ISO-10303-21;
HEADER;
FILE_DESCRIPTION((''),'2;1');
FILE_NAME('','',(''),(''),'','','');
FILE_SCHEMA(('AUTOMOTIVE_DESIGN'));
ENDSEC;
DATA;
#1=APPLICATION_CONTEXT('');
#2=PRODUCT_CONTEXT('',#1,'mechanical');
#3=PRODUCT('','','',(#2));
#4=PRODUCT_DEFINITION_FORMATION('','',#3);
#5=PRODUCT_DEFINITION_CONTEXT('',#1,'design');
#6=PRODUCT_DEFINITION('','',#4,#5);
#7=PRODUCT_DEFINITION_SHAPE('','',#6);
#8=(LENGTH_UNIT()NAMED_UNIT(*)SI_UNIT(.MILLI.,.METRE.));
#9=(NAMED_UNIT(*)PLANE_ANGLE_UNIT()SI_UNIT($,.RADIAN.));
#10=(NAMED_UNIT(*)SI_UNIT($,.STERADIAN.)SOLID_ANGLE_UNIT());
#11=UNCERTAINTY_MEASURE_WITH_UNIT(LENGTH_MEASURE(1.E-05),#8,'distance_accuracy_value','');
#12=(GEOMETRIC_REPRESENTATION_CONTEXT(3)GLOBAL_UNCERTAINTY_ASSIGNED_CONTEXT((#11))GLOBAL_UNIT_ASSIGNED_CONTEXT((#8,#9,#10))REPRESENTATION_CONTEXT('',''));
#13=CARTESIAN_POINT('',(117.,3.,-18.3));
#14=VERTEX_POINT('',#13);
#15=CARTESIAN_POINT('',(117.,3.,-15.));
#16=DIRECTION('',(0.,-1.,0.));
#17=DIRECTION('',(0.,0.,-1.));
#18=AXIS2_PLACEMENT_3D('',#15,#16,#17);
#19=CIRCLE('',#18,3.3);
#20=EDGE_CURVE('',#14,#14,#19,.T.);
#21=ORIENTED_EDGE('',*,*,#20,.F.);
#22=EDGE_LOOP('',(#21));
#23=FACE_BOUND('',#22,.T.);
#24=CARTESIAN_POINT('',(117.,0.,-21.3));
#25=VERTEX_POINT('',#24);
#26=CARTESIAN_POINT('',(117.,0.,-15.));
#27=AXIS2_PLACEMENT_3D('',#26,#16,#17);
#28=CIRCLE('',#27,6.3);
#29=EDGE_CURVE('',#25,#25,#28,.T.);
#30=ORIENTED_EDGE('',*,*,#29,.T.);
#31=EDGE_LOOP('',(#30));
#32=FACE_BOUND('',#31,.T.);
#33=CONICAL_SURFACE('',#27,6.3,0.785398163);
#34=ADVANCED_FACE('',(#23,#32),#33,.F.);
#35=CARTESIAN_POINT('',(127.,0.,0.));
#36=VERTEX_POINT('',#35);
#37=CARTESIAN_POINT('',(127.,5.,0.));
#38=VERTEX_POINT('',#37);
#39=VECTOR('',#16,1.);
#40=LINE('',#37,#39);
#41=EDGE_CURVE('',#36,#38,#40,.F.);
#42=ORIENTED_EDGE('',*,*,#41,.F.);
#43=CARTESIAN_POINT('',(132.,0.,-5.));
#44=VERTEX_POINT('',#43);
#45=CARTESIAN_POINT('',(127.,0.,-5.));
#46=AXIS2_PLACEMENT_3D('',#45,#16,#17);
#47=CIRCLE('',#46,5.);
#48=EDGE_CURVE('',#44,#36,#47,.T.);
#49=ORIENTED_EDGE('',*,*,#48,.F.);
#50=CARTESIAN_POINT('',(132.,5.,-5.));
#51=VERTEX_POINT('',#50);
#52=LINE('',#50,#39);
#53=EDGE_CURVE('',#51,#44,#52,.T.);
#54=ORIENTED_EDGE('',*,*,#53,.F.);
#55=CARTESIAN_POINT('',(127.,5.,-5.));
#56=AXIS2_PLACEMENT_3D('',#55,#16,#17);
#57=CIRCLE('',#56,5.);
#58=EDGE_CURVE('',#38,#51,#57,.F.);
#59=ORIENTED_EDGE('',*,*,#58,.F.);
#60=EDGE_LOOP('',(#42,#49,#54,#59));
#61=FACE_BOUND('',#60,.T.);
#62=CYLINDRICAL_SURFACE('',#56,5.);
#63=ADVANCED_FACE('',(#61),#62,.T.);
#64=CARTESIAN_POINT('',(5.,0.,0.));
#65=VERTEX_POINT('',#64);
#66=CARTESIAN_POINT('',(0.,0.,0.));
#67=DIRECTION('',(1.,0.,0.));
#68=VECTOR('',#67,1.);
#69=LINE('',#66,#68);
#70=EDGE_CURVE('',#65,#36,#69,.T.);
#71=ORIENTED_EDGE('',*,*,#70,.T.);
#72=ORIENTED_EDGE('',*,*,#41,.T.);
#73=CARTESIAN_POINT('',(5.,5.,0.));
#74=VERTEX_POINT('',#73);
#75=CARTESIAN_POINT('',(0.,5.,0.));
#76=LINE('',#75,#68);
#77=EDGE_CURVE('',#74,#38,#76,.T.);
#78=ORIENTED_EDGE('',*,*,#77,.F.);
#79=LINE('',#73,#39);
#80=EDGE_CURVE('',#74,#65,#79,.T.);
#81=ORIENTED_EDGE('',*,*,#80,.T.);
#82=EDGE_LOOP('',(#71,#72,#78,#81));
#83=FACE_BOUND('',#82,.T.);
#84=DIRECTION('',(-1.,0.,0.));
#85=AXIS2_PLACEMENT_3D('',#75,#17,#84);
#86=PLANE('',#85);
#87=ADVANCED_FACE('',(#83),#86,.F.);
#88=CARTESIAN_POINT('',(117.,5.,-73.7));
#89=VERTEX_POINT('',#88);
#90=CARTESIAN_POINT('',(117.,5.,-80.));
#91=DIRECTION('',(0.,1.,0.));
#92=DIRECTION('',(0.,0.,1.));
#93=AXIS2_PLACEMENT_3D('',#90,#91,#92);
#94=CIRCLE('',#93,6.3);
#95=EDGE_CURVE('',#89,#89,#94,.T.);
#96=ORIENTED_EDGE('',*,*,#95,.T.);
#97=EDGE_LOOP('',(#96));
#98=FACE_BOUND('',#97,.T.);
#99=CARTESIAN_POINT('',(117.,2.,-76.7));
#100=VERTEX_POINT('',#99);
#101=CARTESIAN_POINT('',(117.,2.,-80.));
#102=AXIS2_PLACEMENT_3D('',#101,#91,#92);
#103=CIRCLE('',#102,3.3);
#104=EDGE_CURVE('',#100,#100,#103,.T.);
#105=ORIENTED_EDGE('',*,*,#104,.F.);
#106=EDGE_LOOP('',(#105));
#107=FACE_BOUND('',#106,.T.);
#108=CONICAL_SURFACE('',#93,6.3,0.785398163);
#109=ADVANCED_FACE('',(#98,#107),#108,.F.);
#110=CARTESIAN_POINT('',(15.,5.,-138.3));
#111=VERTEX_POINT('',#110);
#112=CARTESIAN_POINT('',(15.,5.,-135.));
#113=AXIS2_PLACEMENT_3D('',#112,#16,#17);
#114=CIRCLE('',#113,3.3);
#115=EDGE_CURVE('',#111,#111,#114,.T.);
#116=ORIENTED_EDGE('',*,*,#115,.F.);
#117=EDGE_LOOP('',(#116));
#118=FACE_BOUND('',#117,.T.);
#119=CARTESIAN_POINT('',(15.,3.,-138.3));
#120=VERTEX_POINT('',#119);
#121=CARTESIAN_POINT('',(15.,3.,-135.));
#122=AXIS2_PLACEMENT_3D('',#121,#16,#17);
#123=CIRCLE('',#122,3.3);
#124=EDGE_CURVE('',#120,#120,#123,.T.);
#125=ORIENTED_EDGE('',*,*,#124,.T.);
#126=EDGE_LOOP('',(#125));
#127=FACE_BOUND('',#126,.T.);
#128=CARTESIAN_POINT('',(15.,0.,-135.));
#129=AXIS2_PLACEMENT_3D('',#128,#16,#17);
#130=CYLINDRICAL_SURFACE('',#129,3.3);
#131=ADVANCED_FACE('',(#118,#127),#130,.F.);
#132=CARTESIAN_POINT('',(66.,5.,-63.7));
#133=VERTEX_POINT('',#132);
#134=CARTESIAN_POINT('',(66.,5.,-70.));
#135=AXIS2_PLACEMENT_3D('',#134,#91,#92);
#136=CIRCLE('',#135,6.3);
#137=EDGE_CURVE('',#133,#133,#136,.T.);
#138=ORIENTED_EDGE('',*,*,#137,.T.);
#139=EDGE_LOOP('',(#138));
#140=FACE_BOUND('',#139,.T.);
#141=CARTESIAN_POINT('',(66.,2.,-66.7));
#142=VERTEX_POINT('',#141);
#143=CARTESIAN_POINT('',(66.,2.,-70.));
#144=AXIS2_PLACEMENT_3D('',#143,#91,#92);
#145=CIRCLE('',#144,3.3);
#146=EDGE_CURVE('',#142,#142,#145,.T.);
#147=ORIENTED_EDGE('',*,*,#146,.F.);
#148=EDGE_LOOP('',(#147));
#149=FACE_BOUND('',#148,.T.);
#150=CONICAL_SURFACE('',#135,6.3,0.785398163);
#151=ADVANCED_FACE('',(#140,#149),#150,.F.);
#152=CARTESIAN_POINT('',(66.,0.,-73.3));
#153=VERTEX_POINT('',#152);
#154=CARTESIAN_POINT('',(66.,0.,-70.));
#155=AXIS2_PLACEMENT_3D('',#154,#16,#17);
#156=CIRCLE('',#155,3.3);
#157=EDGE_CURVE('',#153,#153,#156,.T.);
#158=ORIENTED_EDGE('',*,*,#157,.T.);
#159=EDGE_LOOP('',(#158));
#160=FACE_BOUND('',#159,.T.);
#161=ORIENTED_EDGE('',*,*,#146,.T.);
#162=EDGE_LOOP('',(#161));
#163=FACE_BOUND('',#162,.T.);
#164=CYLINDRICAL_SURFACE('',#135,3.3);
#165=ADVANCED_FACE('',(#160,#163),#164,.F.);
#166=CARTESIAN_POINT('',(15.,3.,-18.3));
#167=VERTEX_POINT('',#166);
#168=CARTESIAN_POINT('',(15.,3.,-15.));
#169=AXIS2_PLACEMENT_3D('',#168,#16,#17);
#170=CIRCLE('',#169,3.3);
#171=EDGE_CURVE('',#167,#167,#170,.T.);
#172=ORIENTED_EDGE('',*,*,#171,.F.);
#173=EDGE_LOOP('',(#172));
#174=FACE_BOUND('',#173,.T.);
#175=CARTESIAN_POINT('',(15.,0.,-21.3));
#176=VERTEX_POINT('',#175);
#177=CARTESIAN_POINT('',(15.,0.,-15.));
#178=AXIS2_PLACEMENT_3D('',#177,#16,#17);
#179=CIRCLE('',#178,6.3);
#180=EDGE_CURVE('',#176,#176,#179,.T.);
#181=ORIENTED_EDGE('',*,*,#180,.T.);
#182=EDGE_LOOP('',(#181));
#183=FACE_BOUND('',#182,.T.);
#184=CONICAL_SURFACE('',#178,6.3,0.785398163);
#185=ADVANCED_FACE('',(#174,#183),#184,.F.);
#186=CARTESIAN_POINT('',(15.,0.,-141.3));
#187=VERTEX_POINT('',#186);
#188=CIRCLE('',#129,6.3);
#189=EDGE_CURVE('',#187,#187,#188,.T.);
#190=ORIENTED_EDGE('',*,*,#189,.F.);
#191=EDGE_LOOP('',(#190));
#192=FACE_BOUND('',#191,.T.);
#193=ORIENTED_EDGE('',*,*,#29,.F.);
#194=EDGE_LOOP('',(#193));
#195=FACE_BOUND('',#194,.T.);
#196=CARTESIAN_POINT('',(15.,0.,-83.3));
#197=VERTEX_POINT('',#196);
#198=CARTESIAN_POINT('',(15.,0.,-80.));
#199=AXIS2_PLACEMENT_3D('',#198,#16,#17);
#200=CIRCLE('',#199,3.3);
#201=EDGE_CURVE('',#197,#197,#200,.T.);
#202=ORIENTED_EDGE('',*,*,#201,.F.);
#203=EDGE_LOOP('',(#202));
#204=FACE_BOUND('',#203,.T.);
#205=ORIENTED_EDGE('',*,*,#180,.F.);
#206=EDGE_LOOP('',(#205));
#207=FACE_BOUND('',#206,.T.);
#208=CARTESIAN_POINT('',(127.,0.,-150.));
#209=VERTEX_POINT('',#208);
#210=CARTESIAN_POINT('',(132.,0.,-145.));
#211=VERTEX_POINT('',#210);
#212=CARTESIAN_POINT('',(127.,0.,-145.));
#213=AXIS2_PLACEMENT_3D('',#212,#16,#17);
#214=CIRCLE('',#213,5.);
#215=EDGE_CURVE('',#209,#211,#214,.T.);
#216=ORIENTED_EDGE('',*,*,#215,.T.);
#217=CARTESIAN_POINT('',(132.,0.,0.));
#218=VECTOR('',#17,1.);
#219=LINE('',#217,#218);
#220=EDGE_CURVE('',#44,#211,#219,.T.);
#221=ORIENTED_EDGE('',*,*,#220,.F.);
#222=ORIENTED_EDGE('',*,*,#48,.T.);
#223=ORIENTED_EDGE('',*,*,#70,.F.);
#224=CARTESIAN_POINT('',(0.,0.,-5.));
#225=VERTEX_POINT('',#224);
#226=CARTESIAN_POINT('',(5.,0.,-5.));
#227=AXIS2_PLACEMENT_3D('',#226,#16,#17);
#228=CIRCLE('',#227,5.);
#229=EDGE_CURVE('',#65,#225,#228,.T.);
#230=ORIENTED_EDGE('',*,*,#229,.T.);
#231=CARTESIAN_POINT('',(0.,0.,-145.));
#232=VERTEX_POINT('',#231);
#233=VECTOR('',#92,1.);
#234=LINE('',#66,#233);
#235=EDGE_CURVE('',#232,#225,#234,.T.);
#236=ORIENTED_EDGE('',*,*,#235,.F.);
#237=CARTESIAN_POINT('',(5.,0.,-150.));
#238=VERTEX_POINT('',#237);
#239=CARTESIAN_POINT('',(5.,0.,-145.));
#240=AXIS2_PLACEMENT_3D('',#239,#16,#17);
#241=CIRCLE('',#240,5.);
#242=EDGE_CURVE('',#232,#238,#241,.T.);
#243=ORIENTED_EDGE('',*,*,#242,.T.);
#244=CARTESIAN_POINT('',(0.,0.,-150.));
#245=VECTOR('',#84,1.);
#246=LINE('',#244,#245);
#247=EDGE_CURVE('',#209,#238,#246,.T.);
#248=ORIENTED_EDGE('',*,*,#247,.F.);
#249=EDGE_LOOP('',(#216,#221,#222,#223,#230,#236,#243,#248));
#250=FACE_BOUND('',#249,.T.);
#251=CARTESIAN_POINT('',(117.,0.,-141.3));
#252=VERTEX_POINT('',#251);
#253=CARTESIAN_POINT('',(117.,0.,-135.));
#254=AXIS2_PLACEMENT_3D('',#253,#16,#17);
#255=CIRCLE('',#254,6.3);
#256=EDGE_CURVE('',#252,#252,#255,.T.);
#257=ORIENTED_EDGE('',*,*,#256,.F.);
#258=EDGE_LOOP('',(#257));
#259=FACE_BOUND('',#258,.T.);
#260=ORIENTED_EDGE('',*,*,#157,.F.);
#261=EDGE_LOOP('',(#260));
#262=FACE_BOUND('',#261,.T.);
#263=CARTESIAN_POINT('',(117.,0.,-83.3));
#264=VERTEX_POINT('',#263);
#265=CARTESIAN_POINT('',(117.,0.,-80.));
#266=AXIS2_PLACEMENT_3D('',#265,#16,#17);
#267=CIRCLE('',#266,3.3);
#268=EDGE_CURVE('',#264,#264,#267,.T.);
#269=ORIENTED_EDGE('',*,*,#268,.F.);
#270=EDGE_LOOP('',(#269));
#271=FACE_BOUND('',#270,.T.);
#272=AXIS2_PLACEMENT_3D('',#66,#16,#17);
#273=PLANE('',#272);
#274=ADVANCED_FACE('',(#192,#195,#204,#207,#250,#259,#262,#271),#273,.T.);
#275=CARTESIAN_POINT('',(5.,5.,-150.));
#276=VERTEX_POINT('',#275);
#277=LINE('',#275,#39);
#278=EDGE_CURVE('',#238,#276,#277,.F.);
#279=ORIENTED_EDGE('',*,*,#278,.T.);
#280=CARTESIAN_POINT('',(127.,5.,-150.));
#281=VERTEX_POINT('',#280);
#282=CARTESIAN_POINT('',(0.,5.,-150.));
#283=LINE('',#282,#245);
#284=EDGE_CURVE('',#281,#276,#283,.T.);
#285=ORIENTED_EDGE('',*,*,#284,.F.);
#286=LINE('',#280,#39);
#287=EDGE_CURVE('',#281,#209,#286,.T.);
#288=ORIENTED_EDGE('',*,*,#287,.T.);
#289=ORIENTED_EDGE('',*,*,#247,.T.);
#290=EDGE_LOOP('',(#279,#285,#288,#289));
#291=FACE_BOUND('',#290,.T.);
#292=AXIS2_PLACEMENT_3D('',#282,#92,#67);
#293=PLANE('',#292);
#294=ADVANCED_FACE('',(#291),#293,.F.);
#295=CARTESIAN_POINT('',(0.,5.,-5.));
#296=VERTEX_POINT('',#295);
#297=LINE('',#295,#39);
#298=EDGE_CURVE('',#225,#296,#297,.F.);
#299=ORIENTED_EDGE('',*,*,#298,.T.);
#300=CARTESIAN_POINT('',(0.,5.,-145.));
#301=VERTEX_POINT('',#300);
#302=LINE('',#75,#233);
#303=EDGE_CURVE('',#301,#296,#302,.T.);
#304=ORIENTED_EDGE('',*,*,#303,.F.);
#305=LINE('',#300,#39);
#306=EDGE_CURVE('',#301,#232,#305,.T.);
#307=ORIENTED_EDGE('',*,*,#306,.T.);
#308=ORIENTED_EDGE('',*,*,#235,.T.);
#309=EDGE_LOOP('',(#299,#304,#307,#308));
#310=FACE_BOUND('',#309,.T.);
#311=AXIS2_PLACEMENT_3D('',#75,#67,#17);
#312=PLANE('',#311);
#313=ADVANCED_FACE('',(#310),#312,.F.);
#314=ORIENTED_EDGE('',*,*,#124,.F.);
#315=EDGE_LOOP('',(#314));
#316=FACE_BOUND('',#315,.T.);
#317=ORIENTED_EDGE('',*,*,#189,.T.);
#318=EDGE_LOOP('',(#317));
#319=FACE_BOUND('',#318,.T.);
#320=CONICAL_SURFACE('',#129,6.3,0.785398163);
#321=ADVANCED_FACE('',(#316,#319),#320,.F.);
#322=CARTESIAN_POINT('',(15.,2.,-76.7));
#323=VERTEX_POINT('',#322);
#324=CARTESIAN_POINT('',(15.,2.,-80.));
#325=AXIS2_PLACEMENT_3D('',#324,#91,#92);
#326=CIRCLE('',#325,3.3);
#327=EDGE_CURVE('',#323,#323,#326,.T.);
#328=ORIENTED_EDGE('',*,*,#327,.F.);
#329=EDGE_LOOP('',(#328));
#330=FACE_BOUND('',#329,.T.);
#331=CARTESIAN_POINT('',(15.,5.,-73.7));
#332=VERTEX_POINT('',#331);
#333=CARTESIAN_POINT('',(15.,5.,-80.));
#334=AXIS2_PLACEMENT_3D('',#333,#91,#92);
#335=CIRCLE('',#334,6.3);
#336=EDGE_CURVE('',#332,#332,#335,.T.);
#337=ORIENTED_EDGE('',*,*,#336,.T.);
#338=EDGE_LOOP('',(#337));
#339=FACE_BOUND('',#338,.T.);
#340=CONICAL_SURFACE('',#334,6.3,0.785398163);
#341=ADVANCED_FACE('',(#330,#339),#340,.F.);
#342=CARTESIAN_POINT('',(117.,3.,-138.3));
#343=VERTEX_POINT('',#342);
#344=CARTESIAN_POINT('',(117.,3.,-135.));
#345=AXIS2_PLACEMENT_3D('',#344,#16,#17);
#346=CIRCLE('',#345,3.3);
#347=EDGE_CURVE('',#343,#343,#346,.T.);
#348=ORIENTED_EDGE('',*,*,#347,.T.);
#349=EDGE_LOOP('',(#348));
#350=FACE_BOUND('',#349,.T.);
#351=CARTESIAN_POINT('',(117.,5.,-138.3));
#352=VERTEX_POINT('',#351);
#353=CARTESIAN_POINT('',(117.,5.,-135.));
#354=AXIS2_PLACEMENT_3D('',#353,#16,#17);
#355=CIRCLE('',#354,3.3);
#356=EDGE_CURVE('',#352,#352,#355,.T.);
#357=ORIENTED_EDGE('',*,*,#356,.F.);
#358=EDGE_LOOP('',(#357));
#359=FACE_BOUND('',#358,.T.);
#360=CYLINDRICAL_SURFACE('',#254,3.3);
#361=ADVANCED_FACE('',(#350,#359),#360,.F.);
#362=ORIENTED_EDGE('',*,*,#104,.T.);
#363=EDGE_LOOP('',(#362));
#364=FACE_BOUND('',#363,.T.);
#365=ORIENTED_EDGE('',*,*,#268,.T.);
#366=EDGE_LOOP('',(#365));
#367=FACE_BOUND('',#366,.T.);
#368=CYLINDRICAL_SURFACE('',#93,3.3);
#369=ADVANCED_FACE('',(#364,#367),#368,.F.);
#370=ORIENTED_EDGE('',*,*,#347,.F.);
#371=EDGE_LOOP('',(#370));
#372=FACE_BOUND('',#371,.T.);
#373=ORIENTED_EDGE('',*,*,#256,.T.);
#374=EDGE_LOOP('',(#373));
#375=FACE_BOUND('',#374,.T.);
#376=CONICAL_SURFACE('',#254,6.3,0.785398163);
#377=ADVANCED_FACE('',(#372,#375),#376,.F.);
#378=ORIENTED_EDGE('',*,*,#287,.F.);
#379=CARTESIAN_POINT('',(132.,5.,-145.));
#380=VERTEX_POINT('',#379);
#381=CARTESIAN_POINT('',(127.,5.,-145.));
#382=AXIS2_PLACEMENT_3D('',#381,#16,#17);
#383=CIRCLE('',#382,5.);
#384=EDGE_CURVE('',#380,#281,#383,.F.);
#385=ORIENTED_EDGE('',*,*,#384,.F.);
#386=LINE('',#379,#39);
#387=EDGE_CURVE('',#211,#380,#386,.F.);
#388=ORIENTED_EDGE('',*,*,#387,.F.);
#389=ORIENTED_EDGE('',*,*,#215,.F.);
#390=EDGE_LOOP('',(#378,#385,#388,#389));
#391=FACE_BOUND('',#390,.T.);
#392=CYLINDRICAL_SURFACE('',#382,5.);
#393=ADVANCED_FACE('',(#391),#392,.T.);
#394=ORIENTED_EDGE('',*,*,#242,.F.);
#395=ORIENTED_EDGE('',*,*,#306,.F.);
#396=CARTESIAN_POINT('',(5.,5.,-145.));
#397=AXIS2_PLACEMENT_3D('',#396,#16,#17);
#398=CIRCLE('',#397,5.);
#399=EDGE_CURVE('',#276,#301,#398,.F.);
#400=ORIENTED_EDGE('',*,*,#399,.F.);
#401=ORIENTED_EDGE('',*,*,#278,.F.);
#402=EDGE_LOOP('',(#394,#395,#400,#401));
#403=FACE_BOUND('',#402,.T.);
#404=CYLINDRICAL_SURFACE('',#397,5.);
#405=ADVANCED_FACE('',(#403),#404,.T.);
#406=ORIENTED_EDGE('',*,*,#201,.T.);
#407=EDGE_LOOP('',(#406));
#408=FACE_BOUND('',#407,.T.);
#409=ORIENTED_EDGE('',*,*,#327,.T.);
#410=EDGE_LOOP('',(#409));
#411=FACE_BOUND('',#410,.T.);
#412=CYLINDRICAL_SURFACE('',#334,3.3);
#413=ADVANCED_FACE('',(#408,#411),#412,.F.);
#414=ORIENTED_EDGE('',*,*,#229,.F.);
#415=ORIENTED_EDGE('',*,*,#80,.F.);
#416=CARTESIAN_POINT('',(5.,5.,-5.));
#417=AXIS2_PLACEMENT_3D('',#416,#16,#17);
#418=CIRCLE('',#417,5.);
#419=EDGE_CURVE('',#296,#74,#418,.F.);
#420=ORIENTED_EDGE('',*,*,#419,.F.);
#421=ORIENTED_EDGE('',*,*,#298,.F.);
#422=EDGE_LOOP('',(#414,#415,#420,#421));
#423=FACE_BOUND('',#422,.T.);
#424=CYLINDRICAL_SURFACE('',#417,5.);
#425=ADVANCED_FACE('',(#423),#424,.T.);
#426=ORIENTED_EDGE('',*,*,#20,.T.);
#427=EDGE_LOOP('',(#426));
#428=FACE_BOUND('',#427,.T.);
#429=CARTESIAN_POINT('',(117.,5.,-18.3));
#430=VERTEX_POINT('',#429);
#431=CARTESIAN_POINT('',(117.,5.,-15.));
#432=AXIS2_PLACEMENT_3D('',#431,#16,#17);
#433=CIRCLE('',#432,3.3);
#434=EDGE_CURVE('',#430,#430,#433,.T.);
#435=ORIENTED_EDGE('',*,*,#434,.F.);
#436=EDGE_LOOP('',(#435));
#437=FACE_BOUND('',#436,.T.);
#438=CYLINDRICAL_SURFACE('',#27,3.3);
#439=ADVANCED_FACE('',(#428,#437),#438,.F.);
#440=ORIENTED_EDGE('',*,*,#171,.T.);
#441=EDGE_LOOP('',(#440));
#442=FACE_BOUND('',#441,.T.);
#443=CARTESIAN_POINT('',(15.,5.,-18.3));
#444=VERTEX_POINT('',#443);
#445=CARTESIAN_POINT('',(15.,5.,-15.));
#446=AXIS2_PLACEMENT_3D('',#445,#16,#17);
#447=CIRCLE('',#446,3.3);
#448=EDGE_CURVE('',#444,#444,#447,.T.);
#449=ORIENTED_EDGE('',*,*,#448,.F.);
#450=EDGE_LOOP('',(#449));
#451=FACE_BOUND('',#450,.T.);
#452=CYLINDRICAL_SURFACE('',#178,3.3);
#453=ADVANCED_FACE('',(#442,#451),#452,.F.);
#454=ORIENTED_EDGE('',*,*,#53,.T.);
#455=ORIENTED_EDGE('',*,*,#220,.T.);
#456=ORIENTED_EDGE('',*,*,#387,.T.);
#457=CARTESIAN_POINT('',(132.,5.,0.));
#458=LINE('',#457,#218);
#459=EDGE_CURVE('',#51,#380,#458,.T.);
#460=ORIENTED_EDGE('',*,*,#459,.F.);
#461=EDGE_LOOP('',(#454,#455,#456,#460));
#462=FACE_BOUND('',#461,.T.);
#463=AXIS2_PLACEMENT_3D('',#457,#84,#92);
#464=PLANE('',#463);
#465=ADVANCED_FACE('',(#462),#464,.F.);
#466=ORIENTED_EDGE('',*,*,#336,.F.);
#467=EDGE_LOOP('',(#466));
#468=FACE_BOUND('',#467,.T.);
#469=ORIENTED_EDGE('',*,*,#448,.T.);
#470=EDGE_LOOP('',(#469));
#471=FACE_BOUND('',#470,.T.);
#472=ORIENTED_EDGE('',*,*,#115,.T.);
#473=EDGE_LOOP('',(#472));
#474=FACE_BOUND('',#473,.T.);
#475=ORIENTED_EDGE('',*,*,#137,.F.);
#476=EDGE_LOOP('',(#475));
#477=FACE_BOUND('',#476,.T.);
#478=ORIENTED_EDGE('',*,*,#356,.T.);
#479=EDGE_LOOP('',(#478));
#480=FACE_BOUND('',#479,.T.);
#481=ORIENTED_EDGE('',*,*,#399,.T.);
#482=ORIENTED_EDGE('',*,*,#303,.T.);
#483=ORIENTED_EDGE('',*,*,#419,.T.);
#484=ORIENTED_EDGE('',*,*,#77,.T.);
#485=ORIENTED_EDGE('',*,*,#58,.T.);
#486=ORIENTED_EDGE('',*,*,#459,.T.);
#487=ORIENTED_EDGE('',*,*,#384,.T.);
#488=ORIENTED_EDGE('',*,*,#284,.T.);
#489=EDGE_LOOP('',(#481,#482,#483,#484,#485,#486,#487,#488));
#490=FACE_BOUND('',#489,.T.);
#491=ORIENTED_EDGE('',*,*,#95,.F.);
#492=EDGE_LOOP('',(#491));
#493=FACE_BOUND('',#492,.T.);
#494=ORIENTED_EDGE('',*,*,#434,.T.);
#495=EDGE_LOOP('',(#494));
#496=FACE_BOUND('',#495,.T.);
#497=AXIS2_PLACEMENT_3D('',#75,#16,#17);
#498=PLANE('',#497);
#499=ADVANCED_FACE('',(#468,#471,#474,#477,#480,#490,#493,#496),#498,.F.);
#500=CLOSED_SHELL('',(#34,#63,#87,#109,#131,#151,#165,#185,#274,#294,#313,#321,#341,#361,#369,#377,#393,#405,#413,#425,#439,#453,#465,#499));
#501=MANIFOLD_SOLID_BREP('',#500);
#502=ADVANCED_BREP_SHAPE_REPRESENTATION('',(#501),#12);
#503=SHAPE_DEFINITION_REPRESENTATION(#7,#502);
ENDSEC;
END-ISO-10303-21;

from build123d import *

# Parameters (mm, degrees)
SKETCH1_W                                       = 132
SKETCH1_H                                       = 150
BOSS_EXTRUDE1_DEPTH                             = 5
CSK_FOR_M6_FLAT_HEAD_MACHINE_SCREW1_D           = 6.6
CSK_FOR_M6_FLAT_HEAD_MACHINE_SCREW1_DEPTH       = 10
CSK_FOR_M6_FLAT_HEAD_MACHINE_SCREW1_CSINK_D     = 12.6
CSK_FOR_M6_FLAT_HEAD_MACHINE_SCREW1_CSINK_ANGLE = 90
CSK_FOR_M6_FLAT_HEAD_MACHINE_SCREW1_TIP         = 1.982840043
CSK_FOR_M6_FLAT_HEAD_MACHINE_SCREW2_D           = 6.6
CSK_FOR_M6_FLAT_HEAD_MACHINE_SCREW2_DEPTH       = 10
CSK_FOR_M6_FLAT_HEAD_MACHINE_SCREW2_CSINK_D     = 12.6
CSK_FOR_M6_FLAT_HEAD_MACHINE_SCREW2_CSINK_ANGLE = 90
CSK_FOR_M6_FLAT_HEAD_MACHINE_SCREW2_TIP         = 1.982840043
FILLET1_R                                       = 5


with BuildPart() as part:
    # Sketch1 → Boss-Extrude1 (new body)
    with BuildSketch(Plane(origin=(0, 0, 0), x_dir=(1, 0, 0), z_dir=(0, 1, 0))):
        with Locations((66, 75)):
            Rectangle(SKETCH1_W, SKETCH1_H)
    extrude(amount=BOSS_EXTRUDE1_DEPTH)

    # CSK for M6 Flat Head Machine Screw1
    with Locations(Plane(origin=(0, 5, 0), x_dir=(1, 0, 0), z_dir=(0, 1, 0))):
        with Locations((15, 80), (66, 70), (117, 80)):
            CounterSinkHole(CSK_FOR_M6_FLAT_HEAD_MACHINE_SCREW1_D / 2, CSK_FOR_M6_FLAT_HEAD_MACHINE_SCREW1_CSINK_D / 2, depth=CSK_FOR_M6_FLAT_HEAD_MACHINE_SCREW1_DEPTH, counter_sink_angle=CSK_FOR_M6_FLAT_HEAD_MACHINE_SCREW1_CSINK_ANGLE)
            with Locations((0, 0, -(CSK_FOR_M6_FLAT_HEAD_MACHINE_SCREW1_DEPTH + CSK_FOR_M6_FLAT_HEAD_MACHINE_SCREW1_TIP / 2))):  # 118° drill point
                Cone(0, CSK_FOR_M6_FLAT_HEAD_MACHINE_SCREW1_D / 2, CSK_FOR_M6_FLAT_HEAD_MACHINE_SCREW1_TIP, mode=Mode.SUBTRACT)

    # CSK for M6 Flat Head Machine Screw2
    with Locations(Plane(origin=(0, 0, 0), x_dir=(-1, 0, 0), z_dir=(0, -1, 0))):
        with Locations((-15, 15), (-117, 15), (-117, 135), (-15, 135)):
            CounterSinkHole(CSK_FOR_M6_FLAT_HEAD_MACHINE_SCREW2_D / 2, CSK_FOR_M6_FLAT_HEAD_MACHINE_SCREW2_CSINK_D / 2, depth=CSK_FOR_M6_FLAT_HEAD_MACHINE_SCREW2_DEPTH, counter_sink_angle=CSK_FOR_M6_FLAT_HEAD_MACHINE_SCREW2_CSINK_ANGLE)
            with Locations((0, 0, -(CSK_FOR_M6_FLAT_HEAD_MACHINE_SCREW2_DEPTH + CSK_FOR_M6_FLAT_HEAD_MACHINE_SCREW2_TIP / 2))):  # 118° drill point
                Cone(0, CSK_FOR_M6_FLAT_HEAD_MACHINE_SCREW2_D / 2, CSK_FOR_M6_FLAT_HEAD_MACHINE_SCREW2_TIP, mode=Mode.SUBTRACT)

    # Fillet1
    fillet1_edges = [part.edges().sort_by_distance(p)[0] for p in [
        (0, 2.5, -150),
        (132, 2.5, -150),
        (132, 2.5, 0),
        (0, 2.5, 0),
    ]]
    fillet(fillet1_edges, radius=FILLET1_R)


solid = part.part
